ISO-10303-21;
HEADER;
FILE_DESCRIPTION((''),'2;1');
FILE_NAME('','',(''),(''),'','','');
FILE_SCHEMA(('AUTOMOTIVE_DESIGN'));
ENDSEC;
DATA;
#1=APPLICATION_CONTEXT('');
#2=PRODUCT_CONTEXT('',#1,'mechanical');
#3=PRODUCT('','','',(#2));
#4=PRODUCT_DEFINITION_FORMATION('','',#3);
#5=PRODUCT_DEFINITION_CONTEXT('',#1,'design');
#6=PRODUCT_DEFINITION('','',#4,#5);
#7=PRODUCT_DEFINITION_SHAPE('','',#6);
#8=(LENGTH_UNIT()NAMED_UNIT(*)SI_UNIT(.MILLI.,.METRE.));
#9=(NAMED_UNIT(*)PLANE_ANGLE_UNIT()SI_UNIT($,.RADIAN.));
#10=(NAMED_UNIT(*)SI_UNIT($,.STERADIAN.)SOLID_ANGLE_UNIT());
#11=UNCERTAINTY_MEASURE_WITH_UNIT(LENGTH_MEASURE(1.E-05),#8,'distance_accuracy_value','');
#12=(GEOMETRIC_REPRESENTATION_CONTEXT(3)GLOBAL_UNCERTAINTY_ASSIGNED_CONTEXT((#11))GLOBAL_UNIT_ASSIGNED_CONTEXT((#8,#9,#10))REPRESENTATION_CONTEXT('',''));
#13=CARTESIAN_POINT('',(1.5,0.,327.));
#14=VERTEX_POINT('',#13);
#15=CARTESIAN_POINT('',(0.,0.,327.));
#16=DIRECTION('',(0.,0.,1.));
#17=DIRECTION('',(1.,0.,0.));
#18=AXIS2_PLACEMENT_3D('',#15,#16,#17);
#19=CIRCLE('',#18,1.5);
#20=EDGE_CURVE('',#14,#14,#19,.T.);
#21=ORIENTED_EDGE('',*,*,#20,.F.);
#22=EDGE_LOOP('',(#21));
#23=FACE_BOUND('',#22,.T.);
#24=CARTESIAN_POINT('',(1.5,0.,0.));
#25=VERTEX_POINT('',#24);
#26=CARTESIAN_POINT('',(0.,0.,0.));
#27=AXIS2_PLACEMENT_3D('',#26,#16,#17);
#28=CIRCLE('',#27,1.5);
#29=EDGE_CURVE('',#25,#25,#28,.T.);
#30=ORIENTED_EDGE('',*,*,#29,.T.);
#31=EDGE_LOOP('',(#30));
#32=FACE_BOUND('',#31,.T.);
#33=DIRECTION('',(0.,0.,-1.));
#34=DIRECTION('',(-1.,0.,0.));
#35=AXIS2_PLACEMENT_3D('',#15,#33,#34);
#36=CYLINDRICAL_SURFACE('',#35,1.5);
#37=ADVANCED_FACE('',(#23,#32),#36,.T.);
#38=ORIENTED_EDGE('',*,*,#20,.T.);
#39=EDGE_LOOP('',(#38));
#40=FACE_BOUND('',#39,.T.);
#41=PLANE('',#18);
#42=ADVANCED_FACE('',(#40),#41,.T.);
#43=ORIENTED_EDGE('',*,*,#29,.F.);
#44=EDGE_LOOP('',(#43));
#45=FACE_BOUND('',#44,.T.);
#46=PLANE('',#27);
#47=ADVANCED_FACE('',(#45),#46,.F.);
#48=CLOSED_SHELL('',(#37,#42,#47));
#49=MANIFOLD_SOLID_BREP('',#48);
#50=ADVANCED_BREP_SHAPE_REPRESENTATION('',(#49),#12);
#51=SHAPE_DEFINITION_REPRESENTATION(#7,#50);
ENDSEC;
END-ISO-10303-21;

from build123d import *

# Parameters (mm, degrees)
SKETCH1_R                   = 1.5
THREAD_MAJOR_ENVELOPE_DEPTH = 327


with BuildPart() as part:
    # Sketch1 → Thread_Major_Envelope (new body)
    with BuildSketch(Plane.XY):
        Circle(SKETCH1_R)
    extrude(amount=THREAD_MAJOR_ENVELOPE_DEPTH)


solid = part.part
